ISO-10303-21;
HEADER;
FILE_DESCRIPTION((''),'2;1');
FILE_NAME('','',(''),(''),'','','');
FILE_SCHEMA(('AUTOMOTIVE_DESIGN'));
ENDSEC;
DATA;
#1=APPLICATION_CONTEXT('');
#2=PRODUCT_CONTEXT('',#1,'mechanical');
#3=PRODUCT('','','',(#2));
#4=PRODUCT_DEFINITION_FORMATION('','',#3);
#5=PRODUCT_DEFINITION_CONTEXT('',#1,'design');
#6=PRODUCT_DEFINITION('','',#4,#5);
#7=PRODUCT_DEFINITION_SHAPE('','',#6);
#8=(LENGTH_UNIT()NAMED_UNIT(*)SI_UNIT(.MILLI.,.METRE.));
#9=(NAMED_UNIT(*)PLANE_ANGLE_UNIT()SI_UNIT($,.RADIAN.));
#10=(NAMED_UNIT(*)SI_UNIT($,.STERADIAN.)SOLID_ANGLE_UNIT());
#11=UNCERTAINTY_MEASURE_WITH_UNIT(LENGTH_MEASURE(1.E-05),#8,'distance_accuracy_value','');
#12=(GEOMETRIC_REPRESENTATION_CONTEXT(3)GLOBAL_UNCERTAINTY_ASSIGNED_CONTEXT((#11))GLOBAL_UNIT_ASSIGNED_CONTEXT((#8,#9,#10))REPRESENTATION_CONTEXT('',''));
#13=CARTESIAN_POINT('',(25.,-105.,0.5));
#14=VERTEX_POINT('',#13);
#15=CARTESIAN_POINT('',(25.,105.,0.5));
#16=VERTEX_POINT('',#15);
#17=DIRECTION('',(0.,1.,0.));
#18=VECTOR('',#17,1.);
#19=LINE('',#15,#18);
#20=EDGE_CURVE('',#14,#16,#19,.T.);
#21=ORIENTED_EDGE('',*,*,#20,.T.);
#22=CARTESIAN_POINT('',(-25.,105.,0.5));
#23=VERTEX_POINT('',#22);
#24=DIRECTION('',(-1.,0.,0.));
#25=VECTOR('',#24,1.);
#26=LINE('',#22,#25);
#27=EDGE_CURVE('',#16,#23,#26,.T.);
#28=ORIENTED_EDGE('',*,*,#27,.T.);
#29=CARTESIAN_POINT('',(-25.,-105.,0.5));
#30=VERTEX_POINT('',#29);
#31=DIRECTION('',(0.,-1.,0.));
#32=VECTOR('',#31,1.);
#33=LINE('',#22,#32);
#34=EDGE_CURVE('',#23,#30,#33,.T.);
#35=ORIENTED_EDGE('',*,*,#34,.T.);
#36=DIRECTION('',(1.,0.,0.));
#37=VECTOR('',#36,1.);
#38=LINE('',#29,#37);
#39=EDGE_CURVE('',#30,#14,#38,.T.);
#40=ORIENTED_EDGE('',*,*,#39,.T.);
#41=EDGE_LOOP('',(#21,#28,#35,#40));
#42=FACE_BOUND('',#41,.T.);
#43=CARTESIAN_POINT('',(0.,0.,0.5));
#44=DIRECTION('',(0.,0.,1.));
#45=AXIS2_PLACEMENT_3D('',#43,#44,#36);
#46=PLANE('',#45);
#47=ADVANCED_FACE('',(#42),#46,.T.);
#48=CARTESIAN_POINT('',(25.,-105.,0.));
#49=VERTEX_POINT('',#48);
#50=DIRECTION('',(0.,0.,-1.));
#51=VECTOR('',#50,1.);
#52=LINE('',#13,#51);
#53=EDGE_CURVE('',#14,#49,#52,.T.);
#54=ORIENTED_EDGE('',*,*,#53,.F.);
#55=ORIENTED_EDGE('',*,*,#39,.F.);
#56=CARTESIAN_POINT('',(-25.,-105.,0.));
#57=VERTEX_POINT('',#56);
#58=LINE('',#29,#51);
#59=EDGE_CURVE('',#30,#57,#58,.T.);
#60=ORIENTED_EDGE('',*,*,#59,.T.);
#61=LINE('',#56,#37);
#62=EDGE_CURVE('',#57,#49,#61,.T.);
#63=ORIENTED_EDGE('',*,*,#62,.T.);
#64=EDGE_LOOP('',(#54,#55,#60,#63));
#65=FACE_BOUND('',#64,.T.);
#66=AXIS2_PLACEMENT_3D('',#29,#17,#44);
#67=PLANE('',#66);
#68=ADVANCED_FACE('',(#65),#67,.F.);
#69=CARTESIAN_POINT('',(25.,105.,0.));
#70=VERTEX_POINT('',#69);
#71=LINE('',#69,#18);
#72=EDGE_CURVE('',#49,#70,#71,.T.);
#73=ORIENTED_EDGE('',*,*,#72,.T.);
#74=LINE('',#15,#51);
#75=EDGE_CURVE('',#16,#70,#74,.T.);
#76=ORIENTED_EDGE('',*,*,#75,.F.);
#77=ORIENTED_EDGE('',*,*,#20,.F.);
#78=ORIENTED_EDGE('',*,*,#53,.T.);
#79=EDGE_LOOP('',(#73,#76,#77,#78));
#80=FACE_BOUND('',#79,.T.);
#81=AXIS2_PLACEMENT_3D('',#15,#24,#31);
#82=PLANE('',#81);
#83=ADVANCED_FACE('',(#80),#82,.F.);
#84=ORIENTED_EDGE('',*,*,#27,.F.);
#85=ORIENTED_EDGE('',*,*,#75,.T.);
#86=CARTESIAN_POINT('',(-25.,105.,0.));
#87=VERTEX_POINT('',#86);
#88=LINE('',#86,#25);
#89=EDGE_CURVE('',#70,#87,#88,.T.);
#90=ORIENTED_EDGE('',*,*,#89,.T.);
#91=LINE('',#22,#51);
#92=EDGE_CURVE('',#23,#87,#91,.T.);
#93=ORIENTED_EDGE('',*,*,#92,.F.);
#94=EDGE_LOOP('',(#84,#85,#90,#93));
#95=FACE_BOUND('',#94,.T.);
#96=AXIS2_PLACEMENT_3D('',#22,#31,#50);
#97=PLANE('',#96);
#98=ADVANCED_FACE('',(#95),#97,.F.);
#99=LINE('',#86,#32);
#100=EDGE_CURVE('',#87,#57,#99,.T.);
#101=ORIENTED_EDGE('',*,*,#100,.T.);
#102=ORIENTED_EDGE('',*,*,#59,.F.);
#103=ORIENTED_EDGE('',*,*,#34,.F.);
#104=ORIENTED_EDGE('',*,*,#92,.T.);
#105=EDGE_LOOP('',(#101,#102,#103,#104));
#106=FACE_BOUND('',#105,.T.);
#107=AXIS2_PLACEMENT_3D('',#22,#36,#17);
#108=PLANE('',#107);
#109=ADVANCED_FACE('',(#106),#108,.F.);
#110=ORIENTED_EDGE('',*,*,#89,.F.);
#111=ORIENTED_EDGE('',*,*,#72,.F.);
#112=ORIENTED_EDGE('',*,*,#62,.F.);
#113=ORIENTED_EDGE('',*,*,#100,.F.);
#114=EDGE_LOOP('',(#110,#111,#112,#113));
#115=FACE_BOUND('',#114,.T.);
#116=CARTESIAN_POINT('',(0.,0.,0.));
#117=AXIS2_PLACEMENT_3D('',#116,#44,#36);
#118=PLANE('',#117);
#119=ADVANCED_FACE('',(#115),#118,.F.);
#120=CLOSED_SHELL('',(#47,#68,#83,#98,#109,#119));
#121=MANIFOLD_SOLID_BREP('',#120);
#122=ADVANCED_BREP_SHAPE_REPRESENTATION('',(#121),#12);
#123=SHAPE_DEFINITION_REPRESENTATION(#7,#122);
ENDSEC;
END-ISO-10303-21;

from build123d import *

# Parameters (mm, degrees)
SKIZZE1_W                       = 50
SKIZZE1_H                       = 210
AUFSATZ_LINEAR_AUSTRAGEN1_DEPTH = 0.5


with BuildPart() as part:
    # Skizze1 → Aufsatz-Linear austragen1 (new body)
    with BuildSketch(Plane.XY):
        Rectangle(SKIZZE1_W, SKIZZE1_H)
    extrude(amount=AUFSATZ_LINEAR_AUSTRAGEN1_DEPTH)


solid = part.part
